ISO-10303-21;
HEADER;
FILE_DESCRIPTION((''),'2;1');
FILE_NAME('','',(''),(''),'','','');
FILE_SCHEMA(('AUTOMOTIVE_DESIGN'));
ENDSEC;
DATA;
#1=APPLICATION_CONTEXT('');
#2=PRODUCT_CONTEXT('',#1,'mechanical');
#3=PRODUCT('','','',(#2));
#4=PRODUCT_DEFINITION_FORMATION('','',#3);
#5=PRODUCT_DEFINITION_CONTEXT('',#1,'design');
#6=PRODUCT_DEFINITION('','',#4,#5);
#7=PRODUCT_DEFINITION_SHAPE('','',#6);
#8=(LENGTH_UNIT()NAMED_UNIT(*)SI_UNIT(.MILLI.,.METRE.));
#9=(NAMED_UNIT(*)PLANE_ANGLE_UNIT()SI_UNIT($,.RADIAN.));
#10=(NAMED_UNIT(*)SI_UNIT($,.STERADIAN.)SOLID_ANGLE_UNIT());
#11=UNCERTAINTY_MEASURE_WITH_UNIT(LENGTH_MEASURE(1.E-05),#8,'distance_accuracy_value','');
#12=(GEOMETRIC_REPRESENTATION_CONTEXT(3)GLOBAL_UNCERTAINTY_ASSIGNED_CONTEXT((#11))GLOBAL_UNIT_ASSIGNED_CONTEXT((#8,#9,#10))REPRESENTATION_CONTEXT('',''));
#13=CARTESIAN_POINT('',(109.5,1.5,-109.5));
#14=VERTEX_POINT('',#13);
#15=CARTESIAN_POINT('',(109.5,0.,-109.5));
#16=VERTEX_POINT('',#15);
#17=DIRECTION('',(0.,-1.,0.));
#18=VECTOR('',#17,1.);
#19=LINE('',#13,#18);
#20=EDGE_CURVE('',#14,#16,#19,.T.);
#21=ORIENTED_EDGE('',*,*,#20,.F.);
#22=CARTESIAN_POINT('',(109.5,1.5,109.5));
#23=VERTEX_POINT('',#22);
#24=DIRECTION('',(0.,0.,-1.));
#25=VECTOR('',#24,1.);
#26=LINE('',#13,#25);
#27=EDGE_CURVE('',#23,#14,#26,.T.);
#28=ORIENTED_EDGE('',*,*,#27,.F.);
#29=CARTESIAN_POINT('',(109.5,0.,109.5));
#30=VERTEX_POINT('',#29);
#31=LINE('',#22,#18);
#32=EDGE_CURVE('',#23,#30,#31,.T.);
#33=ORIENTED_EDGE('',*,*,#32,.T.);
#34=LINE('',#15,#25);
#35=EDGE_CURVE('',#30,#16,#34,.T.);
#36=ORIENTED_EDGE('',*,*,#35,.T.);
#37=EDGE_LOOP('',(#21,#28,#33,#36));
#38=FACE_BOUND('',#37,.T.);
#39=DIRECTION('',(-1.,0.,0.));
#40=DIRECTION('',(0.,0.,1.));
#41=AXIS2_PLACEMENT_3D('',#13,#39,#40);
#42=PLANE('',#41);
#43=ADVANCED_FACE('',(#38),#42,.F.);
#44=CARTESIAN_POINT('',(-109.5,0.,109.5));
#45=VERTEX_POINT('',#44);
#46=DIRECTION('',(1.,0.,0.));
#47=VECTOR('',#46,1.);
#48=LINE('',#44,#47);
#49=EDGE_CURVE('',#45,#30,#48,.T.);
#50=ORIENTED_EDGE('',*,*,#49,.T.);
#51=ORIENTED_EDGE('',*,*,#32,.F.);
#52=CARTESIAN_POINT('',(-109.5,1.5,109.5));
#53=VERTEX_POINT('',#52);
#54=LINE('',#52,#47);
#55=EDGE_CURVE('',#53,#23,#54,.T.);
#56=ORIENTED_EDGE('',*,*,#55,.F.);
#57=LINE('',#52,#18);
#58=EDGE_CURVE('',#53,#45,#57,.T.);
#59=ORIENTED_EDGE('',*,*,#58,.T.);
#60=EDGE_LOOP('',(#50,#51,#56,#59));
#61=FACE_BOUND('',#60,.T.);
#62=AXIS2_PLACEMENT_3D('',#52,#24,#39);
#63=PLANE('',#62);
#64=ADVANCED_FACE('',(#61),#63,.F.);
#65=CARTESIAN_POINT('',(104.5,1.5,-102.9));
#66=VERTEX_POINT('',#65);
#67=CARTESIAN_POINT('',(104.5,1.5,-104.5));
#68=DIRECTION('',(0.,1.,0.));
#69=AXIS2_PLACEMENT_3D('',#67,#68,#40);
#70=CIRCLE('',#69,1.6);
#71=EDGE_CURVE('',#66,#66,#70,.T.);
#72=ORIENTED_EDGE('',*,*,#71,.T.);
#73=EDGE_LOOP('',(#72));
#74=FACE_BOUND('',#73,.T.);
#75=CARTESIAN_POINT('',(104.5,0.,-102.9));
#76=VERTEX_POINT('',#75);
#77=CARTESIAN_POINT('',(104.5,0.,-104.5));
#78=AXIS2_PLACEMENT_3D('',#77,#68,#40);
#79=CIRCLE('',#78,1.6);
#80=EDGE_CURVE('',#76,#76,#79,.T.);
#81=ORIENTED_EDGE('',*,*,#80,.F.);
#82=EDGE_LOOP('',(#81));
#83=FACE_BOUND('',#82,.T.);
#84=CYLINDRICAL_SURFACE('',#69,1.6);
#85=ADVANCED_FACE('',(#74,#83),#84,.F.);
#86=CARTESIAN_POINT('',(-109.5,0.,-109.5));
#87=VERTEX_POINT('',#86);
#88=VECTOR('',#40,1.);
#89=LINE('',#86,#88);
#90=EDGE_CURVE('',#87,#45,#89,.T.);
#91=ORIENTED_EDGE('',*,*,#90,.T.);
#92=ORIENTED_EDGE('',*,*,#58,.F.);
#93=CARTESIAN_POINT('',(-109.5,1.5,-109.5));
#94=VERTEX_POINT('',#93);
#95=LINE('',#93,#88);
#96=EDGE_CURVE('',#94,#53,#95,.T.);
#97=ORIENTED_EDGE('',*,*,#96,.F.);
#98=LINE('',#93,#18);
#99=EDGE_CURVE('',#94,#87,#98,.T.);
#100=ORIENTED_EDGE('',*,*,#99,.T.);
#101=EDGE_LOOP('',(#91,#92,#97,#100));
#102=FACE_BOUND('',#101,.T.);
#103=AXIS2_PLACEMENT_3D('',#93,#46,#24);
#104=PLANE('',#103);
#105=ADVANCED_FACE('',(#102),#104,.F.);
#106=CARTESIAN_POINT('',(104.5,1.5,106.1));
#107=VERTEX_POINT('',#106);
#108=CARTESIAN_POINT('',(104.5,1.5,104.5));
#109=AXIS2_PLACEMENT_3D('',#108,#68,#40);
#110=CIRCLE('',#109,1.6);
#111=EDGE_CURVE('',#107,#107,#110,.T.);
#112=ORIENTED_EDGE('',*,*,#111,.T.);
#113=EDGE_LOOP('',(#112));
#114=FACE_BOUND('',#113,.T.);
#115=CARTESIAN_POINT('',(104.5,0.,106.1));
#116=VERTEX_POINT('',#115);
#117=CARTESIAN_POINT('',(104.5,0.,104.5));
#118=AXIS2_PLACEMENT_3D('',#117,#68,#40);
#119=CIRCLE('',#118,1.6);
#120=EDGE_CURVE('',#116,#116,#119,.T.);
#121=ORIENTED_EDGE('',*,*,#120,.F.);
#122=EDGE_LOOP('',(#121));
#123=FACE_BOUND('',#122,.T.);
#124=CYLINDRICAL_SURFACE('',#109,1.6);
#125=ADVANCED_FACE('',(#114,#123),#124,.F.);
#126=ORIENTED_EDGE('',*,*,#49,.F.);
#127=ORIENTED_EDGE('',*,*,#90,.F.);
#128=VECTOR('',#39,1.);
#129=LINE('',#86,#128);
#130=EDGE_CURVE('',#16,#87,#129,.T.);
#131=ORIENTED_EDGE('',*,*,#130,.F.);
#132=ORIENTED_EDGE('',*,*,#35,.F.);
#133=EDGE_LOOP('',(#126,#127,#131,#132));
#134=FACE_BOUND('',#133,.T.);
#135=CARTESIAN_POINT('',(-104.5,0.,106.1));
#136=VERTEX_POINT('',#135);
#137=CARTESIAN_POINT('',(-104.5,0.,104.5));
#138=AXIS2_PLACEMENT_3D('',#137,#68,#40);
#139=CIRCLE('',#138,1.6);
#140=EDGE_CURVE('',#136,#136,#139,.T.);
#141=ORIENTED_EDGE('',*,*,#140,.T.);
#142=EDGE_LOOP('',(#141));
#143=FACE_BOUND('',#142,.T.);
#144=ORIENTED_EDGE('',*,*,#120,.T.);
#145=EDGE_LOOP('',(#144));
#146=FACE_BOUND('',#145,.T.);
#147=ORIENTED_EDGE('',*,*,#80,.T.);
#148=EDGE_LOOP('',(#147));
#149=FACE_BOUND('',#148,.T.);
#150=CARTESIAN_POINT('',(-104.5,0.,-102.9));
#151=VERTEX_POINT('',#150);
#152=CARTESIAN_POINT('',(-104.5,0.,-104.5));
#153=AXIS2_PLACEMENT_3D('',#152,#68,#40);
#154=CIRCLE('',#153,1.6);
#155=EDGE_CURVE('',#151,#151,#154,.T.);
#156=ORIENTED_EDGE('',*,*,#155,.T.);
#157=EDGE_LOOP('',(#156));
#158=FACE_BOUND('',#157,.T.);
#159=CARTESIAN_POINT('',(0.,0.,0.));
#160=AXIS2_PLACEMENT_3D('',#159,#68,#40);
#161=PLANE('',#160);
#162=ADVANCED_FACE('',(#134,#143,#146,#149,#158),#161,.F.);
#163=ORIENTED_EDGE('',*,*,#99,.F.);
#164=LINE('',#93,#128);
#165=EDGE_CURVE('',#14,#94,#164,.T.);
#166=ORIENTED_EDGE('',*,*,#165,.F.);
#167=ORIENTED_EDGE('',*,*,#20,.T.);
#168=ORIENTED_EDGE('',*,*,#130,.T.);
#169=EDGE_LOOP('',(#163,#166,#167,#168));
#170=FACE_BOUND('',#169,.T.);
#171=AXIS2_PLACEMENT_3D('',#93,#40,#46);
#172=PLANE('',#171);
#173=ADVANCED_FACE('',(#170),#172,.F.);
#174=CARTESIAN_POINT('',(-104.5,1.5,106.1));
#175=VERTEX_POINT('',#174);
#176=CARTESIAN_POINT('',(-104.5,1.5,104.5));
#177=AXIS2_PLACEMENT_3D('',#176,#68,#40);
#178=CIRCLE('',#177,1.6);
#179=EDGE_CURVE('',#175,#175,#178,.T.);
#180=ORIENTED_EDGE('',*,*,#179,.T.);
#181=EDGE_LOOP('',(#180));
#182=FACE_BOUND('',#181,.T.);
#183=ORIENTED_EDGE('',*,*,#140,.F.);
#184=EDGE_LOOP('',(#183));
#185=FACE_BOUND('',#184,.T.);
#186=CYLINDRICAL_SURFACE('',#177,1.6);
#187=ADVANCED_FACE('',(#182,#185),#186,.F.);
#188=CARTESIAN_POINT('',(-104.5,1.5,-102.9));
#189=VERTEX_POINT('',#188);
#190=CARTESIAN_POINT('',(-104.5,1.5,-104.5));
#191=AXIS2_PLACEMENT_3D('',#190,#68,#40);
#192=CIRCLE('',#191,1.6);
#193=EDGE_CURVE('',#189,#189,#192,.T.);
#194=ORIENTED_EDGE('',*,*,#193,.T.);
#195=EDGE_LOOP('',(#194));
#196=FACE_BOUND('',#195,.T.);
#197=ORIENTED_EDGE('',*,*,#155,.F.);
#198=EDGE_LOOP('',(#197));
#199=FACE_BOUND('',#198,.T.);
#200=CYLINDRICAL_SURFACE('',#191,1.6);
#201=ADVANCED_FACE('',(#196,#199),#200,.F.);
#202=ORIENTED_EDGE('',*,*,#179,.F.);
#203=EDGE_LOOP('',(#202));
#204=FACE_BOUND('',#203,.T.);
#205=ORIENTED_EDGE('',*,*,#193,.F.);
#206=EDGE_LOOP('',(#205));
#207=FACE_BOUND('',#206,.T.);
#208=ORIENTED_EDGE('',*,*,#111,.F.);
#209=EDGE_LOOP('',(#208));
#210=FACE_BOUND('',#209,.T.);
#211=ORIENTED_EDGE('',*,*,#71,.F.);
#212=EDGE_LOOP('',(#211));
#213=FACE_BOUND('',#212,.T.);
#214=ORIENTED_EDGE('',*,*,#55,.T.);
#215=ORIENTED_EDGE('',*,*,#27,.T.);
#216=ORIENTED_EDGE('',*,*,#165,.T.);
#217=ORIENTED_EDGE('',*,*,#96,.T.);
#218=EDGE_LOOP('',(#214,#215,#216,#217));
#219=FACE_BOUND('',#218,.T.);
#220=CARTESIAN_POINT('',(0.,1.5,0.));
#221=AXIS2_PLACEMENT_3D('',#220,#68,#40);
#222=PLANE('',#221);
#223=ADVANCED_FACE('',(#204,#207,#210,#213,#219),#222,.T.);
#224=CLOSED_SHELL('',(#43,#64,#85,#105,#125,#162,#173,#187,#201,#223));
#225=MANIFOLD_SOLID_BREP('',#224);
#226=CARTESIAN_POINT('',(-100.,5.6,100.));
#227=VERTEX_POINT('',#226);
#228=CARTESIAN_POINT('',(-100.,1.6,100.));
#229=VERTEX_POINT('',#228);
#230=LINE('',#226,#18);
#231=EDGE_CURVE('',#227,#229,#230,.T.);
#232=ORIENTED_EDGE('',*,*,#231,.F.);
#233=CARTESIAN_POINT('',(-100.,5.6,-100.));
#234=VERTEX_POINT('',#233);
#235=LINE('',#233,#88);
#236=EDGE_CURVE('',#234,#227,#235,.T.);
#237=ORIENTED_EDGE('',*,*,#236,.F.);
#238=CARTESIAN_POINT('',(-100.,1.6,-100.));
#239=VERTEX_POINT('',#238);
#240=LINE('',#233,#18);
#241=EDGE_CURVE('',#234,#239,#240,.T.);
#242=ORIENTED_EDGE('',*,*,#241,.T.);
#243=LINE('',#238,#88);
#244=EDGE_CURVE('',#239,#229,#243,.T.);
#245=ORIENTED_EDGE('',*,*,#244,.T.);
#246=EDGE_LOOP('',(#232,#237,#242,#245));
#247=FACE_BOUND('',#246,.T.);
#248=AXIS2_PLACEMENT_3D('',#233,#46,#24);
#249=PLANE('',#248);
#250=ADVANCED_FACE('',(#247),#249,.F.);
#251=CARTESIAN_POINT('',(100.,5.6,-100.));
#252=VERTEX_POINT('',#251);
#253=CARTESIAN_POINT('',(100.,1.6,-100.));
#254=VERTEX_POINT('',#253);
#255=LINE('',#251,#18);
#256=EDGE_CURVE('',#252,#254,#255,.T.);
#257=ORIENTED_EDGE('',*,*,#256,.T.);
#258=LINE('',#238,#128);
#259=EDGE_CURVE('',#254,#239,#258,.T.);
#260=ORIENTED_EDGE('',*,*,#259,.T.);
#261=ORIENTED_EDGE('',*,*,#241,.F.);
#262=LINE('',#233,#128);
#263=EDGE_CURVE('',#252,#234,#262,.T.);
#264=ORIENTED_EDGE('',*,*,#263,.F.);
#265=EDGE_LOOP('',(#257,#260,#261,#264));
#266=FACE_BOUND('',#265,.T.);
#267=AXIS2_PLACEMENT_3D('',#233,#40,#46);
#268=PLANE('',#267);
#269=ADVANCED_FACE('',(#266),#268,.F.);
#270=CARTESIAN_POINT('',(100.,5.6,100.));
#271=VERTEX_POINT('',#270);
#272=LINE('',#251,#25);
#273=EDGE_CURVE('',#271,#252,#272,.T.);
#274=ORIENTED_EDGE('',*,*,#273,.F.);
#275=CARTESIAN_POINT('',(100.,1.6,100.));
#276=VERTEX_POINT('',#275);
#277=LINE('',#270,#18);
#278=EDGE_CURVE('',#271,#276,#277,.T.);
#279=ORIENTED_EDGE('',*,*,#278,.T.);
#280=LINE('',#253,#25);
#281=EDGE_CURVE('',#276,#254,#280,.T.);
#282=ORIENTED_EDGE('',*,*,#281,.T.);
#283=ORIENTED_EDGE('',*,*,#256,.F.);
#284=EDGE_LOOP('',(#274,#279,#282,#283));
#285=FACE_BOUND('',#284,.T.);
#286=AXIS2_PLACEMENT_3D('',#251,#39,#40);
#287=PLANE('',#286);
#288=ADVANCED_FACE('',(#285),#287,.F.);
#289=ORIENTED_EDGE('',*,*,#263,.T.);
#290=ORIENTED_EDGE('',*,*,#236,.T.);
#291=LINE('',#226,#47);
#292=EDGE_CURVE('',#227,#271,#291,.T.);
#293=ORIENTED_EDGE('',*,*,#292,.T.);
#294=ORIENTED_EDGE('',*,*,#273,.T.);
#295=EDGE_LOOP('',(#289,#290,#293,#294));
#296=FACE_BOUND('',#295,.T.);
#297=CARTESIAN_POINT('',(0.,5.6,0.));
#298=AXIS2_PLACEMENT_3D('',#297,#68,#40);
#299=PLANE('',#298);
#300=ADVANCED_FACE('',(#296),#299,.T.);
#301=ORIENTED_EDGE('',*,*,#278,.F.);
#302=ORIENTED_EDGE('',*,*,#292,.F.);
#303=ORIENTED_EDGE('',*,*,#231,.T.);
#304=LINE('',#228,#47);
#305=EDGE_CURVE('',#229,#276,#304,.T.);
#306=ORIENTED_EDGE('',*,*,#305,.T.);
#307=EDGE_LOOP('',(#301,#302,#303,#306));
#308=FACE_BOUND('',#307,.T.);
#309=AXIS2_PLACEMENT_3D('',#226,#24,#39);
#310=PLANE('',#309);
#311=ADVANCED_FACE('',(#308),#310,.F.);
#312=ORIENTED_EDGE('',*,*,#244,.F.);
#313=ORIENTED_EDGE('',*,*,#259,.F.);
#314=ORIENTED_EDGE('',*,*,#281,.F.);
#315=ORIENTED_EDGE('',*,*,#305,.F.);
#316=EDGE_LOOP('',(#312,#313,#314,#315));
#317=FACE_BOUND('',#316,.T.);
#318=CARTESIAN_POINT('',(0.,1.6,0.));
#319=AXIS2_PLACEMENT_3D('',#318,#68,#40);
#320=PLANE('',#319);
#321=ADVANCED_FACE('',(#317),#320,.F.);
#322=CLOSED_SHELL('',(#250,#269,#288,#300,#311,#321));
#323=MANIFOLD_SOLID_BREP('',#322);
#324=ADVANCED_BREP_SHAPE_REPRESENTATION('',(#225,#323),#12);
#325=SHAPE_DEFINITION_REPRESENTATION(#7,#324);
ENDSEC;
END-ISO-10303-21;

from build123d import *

# Parameters (mm, degrees)
SKETCH1_W            = 219
SKETCH1_H            = 219
BOSS_EXTRUDE1_DEPTH  = 1.5
M3_CLEARANCE_HOLE1_D = 3.2
SKETCH5_W            = 200
SKETCH5_H            = 200
BOSS_EXTRUDE2_DEPTH  = 4


with BuildPart() as part:
    # Sketch1 → Boss-Extrude1 (new body)
    with BuildSketch(Plane(origin=(0, 0, 0), x_dir=(1, 0, 0), z_dir=(0, 1, 0))):
        Rectangle(SKETCH1_W, SKETCH1_H)
    extrude(amount=BOSS_EXTRUDE1_DEPTH)

    # M3 Clearance Hole1 (through all)
    with Locations(Plane(origin=(0, 1.5, 0), x_dir=(1, 0, 0), z_dir=(0, 1, 0))):
        with Locations((-104.5, 104.5), (104.5, 104.5), (104.5, -104.5), (-104.5, -104.5)):
            Hole(M3_CLEARANCE_HOLE1_D / 2)


with BuildPart() as body_2:
    # Sketch5 → Boss-Extrude2 (new body)
    with BuildSketch(Plane(origin=(0, 1.6, 0), x_dir=(1, 0, 0), z_dir=(0, 1, 0))):
        Rectangle(SKETCH5_W, SKETCH5_H)
    extrude(amount=BOSS_EXTRUDE2_DEPTH)


solid = Compound([part.part, body_2.part])
